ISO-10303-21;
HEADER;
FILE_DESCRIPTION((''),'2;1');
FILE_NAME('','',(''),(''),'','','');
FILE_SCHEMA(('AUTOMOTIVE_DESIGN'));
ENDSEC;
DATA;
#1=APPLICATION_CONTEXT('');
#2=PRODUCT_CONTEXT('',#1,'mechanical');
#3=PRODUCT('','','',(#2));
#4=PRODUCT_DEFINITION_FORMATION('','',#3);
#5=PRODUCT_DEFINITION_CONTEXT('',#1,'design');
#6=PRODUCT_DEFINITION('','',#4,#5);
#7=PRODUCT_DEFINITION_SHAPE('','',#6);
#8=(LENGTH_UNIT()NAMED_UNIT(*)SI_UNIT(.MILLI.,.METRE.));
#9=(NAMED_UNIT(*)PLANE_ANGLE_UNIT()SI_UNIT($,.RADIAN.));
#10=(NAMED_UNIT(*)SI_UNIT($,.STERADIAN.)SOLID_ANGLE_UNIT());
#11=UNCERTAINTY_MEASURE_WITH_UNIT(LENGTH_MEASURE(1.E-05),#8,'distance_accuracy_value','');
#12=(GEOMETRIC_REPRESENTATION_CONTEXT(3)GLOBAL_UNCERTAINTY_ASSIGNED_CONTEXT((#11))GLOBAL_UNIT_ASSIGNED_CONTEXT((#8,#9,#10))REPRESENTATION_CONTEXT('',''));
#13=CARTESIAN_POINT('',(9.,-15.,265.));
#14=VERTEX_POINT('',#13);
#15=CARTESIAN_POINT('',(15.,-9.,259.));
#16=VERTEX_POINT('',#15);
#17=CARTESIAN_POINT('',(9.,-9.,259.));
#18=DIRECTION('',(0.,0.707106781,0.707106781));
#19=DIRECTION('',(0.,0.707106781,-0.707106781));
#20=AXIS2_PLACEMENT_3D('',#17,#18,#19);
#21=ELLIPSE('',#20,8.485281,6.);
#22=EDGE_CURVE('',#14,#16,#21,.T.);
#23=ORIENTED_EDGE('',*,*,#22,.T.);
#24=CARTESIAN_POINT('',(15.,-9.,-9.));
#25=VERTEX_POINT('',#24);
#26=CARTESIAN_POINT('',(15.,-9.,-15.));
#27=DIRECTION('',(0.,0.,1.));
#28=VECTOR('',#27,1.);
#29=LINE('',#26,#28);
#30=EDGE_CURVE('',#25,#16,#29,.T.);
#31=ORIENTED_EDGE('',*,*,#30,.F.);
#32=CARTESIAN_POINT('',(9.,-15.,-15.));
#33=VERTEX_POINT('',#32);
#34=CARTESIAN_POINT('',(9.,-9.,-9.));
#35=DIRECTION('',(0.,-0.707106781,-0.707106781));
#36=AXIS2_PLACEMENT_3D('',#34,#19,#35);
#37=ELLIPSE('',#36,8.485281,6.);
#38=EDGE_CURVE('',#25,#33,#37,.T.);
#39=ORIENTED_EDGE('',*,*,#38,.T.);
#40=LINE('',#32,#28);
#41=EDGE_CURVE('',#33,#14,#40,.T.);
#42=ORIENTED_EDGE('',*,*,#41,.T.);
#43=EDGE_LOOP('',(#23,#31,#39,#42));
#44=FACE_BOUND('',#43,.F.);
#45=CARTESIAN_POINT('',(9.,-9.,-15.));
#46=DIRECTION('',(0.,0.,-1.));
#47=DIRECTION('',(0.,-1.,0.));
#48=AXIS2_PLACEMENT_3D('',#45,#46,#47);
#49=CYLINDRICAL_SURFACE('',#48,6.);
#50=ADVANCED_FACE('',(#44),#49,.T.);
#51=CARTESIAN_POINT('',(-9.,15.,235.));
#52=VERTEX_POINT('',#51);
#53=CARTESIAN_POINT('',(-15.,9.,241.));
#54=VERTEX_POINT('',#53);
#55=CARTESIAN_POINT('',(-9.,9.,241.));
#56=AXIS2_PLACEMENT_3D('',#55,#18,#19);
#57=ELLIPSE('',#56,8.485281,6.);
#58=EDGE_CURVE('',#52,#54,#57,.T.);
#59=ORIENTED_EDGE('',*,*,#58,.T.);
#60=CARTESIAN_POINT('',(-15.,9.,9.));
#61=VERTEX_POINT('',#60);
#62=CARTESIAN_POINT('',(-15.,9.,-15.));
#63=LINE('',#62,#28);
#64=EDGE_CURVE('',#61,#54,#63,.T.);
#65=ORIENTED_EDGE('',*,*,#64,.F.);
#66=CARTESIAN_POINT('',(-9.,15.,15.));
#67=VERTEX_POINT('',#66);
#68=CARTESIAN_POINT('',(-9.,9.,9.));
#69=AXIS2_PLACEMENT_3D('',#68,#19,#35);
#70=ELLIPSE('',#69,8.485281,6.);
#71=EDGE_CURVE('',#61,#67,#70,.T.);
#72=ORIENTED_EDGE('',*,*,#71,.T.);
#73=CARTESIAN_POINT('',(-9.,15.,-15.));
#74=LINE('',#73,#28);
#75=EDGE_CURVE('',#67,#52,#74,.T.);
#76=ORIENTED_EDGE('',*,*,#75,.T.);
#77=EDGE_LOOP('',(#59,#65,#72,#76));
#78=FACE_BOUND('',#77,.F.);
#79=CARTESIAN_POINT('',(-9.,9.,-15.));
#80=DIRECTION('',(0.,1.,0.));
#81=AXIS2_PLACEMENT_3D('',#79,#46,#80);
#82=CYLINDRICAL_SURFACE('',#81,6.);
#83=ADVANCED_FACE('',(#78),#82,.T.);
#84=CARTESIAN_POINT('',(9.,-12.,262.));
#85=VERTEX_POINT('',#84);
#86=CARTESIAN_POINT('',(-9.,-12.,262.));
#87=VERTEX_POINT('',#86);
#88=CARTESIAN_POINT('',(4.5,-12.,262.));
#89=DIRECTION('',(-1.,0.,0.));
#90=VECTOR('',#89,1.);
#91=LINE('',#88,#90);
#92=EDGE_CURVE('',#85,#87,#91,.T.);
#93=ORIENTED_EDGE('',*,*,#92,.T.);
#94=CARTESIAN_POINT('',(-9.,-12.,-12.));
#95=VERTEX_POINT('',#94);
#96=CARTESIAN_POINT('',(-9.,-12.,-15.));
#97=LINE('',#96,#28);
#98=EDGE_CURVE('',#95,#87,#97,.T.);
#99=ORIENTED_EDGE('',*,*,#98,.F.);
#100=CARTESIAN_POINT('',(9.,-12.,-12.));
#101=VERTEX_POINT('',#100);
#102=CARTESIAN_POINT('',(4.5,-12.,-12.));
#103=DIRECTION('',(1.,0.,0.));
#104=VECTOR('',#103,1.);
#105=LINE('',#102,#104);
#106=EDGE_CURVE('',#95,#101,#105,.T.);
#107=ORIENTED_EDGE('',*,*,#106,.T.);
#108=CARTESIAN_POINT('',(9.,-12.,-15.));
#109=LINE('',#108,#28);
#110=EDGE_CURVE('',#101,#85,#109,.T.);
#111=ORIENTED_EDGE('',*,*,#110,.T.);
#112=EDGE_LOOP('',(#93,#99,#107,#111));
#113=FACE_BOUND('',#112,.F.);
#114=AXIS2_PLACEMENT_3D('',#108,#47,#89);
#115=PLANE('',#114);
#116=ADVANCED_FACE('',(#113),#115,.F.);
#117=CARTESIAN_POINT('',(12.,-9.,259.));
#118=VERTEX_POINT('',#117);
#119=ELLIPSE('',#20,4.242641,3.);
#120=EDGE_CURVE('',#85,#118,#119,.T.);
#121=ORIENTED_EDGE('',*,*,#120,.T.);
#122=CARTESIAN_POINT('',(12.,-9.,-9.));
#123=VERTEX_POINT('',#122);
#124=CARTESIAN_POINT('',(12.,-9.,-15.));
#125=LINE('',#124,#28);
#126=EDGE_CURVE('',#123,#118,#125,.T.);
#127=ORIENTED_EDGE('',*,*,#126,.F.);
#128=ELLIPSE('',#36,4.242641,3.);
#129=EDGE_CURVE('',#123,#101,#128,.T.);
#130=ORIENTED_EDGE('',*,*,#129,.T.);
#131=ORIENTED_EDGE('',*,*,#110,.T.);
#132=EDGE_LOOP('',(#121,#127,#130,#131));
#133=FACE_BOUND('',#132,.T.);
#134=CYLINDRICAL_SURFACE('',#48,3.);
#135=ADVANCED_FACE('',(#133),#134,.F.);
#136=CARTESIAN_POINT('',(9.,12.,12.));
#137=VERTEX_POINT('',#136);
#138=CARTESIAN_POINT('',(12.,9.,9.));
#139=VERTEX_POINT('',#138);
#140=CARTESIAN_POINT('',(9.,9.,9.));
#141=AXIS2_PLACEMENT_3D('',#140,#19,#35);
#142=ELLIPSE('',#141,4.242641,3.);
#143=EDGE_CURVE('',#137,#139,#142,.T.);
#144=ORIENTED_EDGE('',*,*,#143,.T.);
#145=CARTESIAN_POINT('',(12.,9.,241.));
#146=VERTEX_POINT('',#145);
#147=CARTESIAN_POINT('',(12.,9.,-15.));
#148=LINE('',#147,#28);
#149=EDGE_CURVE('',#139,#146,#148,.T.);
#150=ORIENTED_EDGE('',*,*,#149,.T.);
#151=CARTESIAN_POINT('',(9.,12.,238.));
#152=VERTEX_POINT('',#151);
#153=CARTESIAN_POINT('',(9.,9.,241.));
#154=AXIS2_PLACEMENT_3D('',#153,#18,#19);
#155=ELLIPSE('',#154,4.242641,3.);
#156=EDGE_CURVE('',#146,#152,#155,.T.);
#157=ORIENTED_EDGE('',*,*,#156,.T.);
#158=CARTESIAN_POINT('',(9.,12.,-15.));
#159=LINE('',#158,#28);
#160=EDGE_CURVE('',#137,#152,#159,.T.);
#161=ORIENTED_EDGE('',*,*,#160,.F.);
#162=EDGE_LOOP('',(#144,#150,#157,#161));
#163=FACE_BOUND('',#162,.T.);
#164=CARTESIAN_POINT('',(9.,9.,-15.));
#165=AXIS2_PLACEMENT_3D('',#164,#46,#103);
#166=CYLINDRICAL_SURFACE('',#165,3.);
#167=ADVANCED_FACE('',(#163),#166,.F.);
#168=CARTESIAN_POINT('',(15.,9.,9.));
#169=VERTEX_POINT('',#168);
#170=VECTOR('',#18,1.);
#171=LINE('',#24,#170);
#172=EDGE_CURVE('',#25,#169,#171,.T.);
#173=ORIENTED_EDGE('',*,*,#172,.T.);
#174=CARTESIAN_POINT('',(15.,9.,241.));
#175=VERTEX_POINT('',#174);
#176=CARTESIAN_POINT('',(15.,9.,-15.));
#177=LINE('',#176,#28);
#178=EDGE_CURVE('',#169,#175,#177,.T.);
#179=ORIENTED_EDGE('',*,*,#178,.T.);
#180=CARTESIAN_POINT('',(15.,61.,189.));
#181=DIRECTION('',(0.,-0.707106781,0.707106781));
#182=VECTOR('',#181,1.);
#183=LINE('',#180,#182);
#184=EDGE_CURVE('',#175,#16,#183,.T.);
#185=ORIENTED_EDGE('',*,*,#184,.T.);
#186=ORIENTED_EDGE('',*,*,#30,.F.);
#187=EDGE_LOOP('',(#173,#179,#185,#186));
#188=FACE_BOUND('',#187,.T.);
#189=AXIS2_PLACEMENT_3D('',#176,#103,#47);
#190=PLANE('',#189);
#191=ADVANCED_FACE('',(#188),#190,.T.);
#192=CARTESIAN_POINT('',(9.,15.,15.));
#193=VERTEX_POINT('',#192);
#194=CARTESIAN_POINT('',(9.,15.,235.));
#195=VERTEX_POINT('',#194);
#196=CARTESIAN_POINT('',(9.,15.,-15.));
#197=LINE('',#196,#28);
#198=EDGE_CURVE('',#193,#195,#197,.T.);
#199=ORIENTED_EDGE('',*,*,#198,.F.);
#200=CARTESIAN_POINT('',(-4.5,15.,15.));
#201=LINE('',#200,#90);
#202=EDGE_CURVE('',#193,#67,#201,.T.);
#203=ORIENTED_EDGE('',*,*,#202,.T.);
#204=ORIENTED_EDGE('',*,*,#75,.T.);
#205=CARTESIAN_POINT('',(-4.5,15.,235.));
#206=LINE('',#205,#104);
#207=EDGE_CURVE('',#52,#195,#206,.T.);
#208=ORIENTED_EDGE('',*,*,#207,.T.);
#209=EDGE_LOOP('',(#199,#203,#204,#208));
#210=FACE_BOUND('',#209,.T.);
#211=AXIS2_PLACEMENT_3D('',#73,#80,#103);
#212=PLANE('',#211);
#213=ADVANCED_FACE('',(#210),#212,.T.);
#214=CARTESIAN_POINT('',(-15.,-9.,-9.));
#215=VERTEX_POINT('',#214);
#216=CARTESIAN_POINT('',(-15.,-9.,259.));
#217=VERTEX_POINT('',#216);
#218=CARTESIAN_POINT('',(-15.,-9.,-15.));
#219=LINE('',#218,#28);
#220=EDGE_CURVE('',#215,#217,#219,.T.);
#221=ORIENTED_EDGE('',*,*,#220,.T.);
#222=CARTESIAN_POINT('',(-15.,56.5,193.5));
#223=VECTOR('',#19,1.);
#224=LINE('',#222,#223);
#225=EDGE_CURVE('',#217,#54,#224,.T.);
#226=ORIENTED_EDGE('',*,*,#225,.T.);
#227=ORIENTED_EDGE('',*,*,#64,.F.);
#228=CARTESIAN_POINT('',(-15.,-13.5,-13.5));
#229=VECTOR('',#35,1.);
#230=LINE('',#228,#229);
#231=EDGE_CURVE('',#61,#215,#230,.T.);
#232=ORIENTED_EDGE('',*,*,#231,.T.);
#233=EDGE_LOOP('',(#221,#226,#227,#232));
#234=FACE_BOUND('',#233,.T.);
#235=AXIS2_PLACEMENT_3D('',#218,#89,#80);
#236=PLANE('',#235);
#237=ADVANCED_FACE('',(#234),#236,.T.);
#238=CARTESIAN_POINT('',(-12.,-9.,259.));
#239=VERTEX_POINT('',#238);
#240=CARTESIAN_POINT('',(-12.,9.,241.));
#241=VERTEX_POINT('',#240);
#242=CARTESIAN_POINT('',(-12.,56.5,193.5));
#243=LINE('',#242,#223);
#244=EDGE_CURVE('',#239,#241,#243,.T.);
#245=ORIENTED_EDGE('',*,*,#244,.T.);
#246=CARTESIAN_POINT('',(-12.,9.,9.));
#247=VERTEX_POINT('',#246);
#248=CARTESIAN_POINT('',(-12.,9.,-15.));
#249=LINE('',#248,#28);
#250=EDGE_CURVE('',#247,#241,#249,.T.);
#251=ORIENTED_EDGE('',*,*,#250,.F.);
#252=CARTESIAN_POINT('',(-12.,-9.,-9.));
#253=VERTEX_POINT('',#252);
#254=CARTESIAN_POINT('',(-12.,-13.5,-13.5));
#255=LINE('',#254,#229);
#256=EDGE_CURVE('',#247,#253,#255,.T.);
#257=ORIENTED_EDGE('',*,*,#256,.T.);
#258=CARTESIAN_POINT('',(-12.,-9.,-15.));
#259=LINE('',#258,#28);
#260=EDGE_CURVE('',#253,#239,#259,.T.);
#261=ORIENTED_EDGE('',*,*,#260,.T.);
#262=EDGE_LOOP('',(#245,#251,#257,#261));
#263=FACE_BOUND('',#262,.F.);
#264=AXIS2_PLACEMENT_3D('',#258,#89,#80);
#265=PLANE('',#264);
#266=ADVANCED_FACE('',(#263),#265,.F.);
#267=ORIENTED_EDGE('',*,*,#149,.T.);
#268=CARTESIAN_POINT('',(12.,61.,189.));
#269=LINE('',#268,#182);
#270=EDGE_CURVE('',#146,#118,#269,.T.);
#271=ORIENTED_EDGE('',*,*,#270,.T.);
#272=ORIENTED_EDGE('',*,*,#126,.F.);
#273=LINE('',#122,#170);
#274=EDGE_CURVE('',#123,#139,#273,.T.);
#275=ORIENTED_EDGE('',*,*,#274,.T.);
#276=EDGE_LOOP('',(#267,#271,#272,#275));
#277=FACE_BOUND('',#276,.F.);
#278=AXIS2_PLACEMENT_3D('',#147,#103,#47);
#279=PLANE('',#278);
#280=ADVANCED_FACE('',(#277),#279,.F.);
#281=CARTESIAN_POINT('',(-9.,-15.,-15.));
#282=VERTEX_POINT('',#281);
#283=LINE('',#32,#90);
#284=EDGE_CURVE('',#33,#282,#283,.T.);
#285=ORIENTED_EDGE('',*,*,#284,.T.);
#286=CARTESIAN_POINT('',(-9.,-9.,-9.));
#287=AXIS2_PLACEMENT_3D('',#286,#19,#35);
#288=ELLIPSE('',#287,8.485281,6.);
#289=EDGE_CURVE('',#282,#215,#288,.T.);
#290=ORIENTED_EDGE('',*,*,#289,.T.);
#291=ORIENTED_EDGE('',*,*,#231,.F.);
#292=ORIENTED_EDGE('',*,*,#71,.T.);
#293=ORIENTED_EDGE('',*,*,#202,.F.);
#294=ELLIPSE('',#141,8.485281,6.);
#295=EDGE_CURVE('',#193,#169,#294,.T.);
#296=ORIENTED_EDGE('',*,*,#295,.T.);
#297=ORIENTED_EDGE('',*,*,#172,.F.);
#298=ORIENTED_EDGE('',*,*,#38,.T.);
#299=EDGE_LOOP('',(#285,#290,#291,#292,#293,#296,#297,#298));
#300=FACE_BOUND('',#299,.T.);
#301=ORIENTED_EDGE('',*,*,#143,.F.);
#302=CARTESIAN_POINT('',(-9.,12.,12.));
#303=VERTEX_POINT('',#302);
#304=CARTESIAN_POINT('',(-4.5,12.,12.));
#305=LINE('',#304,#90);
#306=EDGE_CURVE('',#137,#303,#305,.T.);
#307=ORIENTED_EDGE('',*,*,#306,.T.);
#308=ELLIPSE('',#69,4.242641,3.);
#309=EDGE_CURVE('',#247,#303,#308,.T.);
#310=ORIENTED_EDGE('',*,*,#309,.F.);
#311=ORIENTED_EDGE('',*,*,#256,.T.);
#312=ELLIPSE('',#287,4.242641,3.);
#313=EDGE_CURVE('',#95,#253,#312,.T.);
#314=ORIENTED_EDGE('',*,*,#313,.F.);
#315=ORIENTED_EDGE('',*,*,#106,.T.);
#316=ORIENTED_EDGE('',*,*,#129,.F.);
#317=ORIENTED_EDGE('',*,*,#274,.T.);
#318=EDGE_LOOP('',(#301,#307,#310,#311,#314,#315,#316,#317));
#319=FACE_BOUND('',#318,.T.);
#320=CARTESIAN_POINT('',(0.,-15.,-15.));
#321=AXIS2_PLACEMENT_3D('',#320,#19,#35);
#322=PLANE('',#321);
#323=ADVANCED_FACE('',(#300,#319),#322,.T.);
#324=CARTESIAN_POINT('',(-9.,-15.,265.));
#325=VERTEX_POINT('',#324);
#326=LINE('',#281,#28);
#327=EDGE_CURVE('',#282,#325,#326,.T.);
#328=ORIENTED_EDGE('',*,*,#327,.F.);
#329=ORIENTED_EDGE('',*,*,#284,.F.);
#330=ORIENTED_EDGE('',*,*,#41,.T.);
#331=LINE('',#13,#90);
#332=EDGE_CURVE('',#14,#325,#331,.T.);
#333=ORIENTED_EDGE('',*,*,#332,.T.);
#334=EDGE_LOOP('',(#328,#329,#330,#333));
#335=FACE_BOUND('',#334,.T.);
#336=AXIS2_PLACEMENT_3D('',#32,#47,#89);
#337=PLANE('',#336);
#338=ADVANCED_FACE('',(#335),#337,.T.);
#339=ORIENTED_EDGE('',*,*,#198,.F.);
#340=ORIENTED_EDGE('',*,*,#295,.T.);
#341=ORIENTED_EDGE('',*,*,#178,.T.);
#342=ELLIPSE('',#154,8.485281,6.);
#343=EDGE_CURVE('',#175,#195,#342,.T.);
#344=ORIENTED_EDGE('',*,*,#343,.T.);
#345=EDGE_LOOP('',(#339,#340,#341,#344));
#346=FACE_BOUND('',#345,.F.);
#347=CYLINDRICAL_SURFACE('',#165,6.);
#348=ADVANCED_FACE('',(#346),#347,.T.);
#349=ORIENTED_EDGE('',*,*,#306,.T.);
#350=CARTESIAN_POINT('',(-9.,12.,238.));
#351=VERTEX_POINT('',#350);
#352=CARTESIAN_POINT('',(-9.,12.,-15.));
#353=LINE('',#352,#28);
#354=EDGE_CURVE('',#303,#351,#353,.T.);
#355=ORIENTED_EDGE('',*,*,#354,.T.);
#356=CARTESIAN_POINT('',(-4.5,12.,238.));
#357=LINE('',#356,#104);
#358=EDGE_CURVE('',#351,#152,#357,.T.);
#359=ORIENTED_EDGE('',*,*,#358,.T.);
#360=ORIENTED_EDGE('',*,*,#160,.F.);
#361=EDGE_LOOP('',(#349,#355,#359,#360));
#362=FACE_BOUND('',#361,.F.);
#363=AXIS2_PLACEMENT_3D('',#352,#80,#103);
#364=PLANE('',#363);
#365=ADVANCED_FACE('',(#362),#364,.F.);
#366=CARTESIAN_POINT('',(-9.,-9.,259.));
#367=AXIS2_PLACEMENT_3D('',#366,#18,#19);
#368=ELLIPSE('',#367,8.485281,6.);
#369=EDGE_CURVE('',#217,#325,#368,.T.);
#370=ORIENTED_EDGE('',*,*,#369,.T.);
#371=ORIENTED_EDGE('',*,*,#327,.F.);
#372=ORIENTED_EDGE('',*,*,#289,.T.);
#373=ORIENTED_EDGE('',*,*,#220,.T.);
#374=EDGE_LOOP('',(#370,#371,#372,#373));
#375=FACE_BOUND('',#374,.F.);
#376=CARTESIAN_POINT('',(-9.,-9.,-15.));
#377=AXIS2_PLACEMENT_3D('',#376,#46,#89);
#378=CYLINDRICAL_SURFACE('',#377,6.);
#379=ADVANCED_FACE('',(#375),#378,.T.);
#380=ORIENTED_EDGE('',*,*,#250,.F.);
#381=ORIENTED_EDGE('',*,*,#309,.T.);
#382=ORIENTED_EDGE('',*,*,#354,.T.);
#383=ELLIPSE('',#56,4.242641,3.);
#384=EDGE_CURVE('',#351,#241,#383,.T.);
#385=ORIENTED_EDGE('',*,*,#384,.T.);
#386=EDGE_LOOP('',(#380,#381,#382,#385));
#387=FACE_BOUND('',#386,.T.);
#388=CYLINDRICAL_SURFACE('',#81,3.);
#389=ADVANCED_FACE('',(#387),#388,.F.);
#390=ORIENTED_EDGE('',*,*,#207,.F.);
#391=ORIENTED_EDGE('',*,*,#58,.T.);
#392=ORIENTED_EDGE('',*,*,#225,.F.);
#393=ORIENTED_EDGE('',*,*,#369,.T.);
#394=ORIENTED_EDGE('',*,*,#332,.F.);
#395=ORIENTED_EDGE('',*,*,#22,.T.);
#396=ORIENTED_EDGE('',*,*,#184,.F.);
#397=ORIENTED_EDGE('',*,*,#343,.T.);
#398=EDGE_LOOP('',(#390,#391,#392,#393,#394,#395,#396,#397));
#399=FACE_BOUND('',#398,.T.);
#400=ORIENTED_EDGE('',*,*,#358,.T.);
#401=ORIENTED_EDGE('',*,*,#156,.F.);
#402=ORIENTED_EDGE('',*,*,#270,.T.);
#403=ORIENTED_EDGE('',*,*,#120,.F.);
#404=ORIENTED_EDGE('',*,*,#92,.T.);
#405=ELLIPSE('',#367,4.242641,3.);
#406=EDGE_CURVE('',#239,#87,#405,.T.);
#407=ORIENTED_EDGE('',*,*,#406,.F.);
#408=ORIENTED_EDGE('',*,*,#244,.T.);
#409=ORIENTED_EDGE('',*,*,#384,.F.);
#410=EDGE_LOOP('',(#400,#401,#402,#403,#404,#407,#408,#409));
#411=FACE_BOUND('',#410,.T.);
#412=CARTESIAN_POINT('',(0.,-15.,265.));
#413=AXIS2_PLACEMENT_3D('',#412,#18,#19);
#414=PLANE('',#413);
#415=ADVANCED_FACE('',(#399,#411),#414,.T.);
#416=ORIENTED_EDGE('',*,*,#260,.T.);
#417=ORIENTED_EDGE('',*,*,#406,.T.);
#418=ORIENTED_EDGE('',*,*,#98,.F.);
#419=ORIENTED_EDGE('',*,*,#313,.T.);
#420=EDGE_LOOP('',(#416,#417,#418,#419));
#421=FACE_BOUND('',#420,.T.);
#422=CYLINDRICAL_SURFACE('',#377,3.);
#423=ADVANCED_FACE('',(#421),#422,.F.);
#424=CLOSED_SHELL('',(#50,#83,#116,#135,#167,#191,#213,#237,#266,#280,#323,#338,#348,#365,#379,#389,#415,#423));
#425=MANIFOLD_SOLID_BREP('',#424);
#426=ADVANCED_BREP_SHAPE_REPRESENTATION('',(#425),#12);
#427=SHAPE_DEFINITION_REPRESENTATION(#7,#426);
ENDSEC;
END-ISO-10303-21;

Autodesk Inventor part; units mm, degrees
ref_plane "Start Plane" through (0, 0, -15) normal (0, 0, 1) x (1, 0, 0)
ref_plane "End Plane" through (0, 0, 265) normal (0, 0, 1) x (1, 0, 0)
sketch "Sketch" plane through (0, 0, 0) normal (0, 0, 1) x (1, 0, 0)
  line L0 (-15, -9) -> (-15, 9)
  line L1 (-9, 15) -> (9, 15)
  line L2 (15, 9) -> (15, -9)
  line L3 (9, -15) -> (-9, -15)
  arc A0 (-15, -9) -> (-9, -15) centre (-9, -9) ccw
  arc A1 (-9, 15) -> (-15, 9) centre (-9, 9) ccw
  arc A2 (15, 9) -> (9, 15) centre (9, 9) ccw
  arc A3 (9, -15) -> (15, -9) centre (9, -9) ccw
  arc A4 (-9, 12) -> (-12, 9) centre (-9, 9) ccw
  line L4 (-9, 12) -> (9, 12)
  arc A5 (12, 9) -> (9, 12) centre (9, 9) ccw
  line L5 (12, 9) -> (12, -9)
  arc A6 (9, -12) -> (12, -9) centre (9, -9) ccw
  line L6 (9, -12) -> (-9, -12)
  arc A7 (-12, -9) -> (-9, -12) centre (-9, -9) ccw
  line L7 (-12, -9) -> (-12, 9)
  line L8 (0, 22.7397) -> (0, -22.7397) construction
  line L9 (-22.7397, 0) -> (22.7397, 0) construction
  dimension "d7" = 6
  dimension "d10" = 30
  dimension "d11" = 30
  dimension "d12" = 3
  dimension "d15" = 15
  dimension "d16" = 15
extrude "Body" add sketch "Sketch" along normal up to surface (280 mm away) from surface at -15
sketch "Sketch3" plane through (0, 0, 0) normal (0, 0, 1) x (1, 0, 0)
  line L0 (0, 0) -> (10, 0)
ref_plane "Work Plane3" through (0, 0, 0) normal (0, -1, 0) x (1, 0, 0)
ref_plane "Work Plane4" through (0, -15, -15) normal (0, 0.7071, -0.7071) x (1, 0, 0)
split "Split1" plane through (0, -15, -15) removes the side toward (0, 0.7071, -0.7071)
ref_plane "Work Plane5" through (0, -15, 265) normal (0, 0.7071, 0.7071) x (1, 0, 0)
split "Split2" plane through (0, -15, 265) removes the side toward (0, 0.7071, 0.7071)
sketch "Sketch4" plane through (0, 0, 0) normal (0, -1, 0) x (1, 0, 0)
  line L0 (-2, -15) -> (12, -15) projected
  line L1 (-2, 265) -> (12, 265) projected
  dimension "d18" = 280
equation "\"d7\" = G_IR"
equation "\"d10\" = G_H"
equation "\"d11\" = G_W"
equation "\"d12\" = G_T"
equation "\"d15\" = 0.5 * d10"
equation "\"d16\" = 0.5 * d11"
equation "\"d3\" = G_L"
equation "\"G_W\" = 30"
equation "\"G_H\" = 30"
equation "\"G_T\" = 3"
equation "\"G_IR\" = 6"
equation "\"G_L\" = d18"
equation "\"G_OFFSET_START\" = 15"
equation "\"G_OFFSET_END\" = 15"
equation "\"d13\" = -G_OFFSET_START"
equation "\"d14\" = G_OFFSET_END + B_L"
equation "\"B_L\" = 250"
properties part number "DIN EN 10219-2 - 30 x 30 x 3  - 280" material "Steel, Mild"
